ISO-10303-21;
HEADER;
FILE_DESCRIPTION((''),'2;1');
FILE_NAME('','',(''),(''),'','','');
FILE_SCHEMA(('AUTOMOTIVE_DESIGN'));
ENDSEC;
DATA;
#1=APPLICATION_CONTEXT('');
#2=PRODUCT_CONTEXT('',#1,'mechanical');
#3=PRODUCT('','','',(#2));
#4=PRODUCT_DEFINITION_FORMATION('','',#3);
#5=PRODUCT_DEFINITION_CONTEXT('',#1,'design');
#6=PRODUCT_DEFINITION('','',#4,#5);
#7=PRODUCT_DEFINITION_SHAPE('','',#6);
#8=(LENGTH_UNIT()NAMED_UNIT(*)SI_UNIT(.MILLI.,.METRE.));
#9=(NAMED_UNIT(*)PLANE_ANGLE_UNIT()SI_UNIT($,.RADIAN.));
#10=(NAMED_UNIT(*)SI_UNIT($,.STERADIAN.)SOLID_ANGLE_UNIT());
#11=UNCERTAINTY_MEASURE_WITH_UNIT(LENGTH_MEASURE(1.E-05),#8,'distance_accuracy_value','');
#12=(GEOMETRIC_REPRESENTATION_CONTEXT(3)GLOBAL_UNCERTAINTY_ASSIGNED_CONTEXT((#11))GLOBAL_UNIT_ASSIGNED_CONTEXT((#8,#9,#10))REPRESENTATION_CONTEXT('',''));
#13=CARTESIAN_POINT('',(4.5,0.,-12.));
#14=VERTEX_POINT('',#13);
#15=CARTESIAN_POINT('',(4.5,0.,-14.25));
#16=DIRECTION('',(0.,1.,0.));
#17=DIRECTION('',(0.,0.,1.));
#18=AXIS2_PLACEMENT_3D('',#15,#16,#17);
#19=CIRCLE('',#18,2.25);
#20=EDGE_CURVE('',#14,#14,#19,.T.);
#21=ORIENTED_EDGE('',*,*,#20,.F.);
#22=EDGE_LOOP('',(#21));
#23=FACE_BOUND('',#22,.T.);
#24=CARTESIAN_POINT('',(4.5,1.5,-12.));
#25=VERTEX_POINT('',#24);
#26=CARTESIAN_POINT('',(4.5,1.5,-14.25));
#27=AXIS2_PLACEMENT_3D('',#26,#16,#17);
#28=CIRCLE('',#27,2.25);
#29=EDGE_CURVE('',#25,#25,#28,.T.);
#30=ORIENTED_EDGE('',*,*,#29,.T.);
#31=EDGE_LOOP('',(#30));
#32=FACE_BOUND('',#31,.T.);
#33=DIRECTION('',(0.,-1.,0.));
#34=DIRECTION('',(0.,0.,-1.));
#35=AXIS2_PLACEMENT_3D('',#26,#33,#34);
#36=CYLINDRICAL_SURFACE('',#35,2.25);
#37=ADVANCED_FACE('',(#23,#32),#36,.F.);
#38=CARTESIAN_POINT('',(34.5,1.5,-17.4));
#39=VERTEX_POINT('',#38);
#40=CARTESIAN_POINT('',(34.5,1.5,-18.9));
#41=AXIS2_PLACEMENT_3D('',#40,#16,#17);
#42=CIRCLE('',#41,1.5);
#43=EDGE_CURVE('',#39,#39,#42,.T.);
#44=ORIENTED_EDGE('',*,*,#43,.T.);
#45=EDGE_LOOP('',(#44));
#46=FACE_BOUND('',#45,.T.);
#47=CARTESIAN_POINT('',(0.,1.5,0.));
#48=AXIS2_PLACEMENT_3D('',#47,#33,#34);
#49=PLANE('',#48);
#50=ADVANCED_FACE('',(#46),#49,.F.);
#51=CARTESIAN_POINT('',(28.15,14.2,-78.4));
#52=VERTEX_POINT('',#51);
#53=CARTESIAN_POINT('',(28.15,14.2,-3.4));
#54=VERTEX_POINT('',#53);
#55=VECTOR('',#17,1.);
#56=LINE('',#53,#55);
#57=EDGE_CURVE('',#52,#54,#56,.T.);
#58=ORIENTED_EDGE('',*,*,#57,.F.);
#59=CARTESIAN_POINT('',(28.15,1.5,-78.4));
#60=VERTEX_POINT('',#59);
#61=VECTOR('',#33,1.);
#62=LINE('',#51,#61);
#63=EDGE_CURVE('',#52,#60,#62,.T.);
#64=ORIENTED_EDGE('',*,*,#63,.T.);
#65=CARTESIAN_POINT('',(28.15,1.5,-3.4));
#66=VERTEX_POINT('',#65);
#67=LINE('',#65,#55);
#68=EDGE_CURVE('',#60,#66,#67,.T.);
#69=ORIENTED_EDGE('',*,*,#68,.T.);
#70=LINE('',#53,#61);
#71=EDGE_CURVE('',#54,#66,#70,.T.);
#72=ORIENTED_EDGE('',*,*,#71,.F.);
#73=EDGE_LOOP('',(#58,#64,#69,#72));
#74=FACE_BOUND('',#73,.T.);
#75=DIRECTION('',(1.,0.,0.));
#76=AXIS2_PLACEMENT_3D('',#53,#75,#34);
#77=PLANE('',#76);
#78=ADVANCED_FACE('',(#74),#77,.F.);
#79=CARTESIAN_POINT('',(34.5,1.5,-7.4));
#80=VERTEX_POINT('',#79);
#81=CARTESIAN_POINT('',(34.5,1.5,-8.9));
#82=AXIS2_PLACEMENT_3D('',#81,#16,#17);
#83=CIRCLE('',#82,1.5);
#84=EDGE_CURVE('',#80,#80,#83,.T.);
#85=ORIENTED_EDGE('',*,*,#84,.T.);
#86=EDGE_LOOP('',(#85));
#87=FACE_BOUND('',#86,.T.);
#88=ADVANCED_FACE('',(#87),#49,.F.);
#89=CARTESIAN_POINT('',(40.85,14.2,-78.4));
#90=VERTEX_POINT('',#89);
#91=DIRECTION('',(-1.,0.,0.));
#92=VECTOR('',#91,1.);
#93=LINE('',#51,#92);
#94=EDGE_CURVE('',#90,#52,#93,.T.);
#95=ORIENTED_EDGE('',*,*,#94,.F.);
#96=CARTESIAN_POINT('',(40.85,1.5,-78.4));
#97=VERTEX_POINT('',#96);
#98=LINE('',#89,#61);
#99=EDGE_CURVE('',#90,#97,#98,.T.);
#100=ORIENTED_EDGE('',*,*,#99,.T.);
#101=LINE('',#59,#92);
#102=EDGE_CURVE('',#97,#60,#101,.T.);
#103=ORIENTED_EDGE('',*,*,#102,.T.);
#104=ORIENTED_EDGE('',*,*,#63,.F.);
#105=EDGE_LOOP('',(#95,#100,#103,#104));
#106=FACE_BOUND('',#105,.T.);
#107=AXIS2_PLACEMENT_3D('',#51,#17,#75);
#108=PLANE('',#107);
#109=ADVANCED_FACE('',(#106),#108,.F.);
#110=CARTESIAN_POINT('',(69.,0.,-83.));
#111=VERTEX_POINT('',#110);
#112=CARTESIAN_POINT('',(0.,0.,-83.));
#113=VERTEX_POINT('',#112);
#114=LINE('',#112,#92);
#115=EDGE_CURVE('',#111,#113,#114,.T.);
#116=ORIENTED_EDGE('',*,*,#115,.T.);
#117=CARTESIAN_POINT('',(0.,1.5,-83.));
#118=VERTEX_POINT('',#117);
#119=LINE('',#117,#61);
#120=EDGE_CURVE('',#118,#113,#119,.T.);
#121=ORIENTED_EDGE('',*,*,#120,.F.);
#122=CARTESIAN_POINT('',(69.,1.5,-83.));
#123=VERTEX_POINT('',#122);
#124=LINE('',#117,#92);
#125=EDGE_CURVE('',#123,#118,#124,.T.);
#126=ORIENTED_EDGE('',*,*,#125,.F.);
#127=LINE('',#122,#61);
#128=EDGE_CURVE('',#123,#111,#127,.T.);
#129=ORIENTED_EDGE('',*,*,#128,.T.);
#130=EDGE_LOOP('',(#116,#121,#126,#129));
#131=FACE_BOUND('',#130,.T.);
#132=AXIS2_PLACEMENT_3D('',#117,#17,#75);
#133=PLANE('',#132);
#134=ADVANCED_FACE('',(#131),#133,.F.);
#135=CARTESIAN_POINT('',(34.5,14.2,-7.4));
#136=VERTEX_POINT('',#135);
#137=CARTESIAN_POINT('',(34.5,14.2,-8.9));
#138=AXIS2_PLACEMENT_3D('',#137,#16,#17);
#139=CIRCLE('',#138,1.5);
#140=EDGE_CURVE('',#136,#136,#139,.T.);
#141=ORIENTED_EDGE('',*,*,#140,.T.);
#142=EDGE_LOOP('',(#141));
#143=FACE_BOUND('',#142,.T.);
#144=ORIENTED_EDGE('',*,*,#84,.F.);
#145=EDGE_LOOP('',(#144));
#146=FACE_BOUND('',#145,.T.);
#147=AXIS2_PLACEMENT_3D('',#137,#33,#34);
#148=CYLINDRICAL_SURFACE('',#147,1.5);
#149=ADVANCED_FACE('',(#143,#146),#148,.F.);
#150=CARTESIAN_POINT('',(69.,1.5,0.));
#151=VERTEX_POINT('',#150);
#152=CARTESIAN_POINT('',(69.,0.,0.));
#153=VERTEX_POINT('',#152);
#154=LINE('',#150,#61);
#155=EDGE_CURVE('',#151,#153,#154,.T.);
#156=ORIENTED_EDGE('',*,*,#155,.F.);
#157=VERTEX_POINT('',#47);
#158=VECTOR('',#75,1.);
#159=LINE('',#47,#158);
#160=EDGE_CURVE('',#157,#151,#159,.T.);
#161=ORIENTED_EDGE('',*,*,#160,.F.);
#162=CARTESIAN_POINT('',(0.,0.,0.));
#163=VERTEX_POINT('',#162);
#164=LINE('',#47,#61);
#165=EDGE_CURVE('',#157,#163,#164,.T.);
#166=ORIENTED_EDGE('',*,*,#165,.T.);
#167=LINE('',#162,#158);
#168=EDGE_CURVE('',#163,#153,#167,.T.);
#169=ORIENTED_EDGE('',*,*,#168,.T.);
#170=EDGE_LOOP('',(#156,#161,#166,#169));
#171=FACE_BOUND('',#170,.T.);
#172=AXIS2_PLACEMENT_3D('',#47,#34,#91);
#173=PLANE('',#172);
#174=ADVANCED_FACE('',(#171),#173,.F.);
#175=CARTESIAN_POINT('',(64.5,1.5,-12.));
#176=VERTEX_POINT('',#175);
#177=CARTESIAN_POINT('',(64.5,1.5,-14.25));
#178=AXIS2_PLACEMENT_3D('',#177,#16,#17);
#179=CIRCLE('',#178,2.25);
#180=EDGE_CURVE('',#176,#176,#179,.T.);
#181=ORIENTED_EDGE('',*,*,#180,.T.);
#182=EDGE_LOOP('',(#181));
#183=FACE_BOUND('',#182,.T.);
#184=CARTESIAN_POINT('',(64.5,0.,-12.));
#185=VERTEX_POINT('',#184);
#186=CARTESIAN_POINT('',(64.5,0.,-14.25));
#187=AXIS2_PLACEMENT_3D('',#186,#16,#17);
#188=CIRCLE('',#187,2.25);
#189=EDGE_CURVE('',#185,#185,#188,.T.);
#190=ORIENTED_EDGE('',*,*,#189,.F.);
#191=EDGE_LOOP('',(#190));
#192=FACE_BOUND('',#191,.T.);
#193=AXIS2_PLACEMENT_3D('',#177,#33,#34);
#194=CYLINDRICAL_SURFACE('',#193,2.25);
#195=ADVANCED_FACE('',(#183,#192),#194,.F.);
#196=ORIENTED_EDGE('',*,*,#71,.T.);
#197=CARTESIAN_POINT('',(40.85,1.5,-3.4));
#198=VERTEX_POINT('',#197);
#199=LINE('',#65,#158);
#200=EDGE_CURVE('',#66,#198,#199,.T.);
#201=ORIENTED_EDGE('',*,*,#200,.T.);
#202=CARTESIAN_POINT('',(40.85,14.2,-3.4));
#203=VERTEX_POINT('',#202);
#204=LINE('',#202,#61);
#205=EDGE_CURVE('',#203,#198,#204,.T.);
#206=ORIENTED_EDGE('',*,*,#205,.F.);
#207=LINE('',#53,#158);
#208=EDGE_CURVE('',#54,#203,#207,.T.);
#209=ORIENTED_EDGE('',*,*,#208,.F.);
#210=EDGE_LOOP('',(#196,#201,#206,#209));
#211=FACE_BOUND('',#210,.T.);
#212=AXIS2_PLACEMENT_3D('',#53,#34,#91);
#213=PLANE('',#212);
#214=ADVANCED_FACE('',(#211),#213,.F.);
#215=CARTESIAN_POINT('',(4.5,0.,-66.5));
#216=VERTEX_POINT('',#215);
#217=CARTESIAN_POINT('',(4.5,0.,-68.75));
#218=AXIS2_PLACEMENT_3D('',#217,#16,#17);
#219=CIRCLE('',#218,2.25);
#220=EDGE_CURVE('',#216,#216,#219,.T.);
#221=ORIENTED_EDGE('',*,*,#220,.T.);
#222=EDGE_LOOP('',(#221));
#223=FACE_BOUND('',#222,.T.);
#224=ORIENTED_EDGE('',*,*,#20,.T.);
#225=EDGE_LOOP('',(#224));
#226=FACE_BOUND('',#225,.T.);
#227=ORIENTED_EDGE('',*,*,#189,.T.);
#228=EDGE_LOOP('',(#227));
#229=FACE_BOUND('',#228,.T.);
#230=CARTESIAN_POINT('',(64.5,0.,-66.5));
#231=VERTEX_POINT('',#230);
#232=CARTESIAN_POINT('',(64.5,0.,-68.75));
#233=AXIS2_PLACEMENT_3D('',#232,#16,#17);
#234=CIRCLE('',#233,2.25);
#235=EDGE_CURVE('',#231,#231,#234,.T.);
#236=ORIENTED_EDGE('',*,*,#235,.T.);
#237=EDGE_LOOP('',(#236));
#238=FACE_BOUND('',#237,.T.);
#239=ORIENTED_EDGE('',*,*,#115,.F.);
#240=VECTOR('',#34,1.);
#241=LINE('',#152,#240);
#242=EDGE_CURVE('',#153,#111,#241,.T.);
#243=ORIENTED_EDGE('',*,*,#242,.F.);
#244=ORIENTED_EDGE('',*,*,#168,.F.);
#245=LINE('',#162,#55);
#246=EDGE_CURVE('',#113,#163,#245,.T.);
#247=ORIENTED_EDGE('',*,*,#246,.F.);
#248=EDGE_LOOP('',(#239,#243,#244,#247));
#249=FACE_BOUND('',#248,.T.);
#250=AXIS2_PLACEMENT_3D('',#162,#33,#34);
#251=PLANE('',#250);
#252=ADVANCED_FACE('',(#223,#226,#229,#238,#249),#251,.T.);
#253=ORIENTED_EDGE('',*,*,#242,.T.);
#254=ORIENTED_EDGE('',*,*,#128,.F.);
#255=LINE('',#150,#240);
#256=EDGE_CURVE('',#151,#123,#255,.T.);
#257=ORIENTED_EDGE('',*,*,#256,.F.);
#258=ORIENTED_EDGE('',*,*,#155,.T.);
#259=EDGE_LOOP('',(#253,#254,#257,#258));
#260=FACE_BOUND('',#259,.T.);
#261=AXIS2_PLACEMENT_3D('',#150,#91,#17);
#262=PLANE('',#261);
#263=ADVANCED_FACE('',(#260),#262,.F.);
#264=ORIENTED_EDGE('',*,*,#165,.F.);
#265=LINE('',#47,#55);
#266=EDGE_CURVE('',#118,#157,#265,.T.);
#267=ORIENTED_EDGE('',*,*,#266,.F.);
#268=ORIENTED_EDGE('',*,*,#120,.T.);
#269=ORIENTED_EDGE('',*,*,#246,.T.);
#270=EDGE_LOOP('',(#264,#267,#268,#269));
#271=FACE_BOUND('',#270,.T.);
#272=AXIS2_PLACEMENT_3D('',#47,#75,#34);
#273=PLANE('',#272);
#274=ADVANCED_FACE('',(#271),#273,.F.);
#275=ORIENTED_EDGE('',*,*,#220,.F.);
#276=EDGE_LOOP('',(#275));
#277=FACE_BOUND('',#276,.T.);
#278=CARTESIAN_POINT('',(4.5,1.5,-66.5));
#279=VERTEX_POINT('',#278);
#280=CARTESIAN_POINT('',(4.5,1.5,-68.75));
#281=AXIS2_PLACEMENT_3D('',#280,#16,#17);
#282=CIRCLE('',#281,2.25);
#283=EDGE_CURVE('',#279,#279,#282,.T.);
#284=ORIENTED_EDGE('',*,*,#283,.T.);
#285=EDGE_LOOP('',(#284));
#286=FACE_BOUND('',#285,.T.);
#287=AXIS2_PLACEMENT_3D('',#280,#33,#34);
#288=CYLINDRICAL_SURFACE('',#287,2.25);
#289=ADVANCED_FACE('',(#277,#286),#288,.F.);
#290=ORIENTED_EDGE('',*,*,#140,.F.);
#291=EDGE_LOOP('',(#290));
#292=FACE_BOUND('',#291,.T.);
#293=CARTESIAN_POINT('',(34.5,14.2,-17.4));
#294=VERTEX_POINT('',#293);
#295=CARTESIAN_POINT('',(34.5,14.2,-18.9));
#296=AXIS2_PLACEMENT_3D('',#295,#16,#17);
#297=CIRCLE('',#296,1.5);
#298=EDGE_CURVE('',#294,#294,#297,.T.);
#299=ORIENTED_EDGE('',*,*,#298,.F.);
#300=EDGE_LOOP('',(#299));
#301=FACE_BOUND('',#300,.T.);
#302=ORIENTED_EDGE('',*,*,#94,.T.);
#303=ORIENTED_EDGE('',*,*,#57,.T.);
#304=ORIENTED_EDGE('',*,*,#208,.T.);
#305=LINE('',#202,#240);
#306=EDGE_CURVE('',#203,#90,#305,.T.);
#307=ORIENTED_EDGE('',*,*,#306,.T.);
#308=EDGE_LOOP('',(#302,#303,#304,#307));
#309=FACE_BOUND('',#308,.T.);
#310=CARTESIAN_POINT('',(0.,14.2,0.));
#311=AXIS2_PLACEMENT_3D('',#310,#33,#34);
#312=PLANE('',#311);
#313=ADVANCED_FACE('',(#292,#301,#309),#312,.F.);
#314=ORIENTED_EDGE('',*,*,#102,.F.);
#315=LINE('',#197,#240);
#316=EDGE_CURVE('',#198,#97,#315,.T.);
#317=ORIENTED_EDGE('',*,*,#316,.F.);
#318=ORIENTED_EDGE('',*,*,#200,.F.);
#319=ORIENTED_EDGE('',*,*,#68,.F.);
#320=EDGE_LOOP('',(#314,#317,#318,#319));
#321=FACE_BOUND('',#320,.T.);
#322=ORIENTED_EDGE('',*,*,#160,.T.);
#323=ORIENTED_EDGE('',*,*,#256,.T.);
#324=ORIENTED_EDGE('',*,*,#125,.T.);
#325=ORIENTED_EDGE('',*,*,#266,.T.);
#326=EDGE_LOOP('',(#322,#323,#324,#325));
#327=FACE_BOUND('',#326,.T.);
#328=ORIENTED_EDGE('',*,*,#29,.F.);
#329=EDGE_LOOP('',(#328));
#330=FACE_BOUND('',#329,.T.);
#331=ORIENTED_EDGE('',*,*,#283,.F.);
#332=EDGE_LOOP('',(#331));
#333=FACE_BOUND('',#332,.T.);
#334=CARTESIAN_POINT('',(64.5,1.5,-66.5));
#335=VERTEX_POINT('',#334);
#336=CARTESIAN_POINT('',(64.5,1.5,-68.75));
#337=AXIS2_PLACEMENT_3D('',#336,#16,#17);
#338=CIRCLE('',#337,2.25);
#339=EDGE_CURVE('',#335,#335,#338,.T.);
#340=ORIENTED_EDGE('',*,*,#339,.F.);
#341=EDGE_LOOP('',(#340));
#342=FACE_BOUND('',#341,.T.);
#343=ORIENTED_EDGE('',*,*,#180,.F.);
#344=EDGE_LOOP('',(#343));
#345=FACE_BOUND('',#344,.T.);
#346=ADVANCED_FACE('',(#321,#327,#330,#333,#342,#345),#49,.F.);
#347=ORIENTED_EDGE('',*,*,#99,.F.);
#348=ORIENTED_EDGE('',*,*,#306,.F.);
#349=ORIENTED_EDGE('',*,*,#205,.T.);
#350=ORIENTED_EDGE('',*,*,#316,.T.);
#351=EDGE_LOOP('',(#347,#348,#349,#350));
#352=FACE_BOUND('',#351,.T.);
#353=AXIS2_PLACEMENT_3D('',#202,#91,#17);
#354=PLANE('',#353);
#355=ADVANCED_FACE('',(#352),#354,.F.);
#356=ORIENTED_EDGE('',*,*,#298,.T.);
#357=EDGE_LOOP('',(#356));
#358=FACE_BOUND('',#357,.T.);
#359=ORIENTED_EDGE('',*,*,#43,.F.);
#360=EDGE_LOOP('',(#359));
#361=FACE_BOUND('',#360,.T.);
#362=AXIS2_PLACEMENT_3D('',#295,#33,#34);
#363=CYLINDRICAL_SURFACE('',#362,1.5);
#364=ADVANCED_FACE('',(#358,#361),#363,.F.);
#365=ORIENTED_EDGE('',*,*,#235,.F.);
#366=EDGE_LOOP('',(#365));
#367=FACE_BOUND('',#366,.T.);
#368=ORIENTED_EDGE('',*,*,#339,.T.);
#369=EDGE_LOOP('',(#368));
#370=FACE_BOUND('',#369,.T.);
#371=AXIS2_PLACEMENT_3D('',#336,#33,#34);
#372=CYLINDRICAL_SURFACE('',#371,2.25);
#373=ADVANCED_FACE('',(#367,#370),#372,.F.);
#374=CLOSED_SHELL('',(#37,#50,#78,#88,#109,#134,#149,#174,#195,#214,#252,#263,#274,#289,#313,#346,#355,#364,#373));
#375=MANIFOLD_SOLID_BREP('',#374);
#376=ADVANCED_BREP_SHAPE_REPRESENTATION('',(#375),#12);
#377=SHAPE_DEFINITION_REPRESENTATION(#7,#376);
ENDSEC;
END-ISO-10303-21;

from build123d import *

# Parameters (mm, degrees)
SKETCH1_W           = 69
SKETCH1_H           = 83
SKETCH1_R           = 2.25
BOSS_EXTRUDE1_DEPTH = 1.5
SKETCH2_W           = 12.7
SKETCH2_H           = 75
SKETCH2_R           = 1.5
BOSS_EXTRUDE2_DEPTH = 12.7


with BuildPart() as part:
    # Sketch1 → Boss-Extrude1 (new body)
    with BuildSketch(Plane(origin=(0, 0, 0), x_dir=(1, 0, 0), z_dir=(0, 1, 0))):
        with Locations((34.5, 41.5)):
            Rectangle(SKETCH1_W, SKETCH1_H)
        with Locations((4.5, 68.75)):
            Circle(SKETCH1_R, mode=Mode.SUBTRACT)
        with Locations((64.5, 68.75)):
            Circle(SKETCH1_R, mode=Mode.SUBTRACT)
        with Locations((64.5, 14.25)):
            Circle(SKETCH1_R, mode=Mode.SUBTRACT)
        with Locations((4.5, 14.25)):
            Circle(SKETCH1_R, mode=Mode.SUBTRACT)
    extrude(amount=BOSS_EXTRUDE1_DEPTH)

    # Sketch2 → Boss-Extrude2 (add)
    with BuildSketch(Plane(origin=(0, 1.5, 0), x_dir=(1, 0, 0), z_dir=(0, 1, 0))):
        with Locations((34.5, 40.9)):
            Rectangle(SKETCH2_W, SKETCH2_H)
        with Locations((34.5, 8.9)):
            Circle(SKETCH2_R, mode=Mode.SUBTRACT)
        with Locations((34.5, 18.9)):
            Circle(SKETCH2_R, mode=Mode.SUBTRACT)
    extrude(amount=BOSS_EXTRUDE2_DEPTH)


solid = part.part
